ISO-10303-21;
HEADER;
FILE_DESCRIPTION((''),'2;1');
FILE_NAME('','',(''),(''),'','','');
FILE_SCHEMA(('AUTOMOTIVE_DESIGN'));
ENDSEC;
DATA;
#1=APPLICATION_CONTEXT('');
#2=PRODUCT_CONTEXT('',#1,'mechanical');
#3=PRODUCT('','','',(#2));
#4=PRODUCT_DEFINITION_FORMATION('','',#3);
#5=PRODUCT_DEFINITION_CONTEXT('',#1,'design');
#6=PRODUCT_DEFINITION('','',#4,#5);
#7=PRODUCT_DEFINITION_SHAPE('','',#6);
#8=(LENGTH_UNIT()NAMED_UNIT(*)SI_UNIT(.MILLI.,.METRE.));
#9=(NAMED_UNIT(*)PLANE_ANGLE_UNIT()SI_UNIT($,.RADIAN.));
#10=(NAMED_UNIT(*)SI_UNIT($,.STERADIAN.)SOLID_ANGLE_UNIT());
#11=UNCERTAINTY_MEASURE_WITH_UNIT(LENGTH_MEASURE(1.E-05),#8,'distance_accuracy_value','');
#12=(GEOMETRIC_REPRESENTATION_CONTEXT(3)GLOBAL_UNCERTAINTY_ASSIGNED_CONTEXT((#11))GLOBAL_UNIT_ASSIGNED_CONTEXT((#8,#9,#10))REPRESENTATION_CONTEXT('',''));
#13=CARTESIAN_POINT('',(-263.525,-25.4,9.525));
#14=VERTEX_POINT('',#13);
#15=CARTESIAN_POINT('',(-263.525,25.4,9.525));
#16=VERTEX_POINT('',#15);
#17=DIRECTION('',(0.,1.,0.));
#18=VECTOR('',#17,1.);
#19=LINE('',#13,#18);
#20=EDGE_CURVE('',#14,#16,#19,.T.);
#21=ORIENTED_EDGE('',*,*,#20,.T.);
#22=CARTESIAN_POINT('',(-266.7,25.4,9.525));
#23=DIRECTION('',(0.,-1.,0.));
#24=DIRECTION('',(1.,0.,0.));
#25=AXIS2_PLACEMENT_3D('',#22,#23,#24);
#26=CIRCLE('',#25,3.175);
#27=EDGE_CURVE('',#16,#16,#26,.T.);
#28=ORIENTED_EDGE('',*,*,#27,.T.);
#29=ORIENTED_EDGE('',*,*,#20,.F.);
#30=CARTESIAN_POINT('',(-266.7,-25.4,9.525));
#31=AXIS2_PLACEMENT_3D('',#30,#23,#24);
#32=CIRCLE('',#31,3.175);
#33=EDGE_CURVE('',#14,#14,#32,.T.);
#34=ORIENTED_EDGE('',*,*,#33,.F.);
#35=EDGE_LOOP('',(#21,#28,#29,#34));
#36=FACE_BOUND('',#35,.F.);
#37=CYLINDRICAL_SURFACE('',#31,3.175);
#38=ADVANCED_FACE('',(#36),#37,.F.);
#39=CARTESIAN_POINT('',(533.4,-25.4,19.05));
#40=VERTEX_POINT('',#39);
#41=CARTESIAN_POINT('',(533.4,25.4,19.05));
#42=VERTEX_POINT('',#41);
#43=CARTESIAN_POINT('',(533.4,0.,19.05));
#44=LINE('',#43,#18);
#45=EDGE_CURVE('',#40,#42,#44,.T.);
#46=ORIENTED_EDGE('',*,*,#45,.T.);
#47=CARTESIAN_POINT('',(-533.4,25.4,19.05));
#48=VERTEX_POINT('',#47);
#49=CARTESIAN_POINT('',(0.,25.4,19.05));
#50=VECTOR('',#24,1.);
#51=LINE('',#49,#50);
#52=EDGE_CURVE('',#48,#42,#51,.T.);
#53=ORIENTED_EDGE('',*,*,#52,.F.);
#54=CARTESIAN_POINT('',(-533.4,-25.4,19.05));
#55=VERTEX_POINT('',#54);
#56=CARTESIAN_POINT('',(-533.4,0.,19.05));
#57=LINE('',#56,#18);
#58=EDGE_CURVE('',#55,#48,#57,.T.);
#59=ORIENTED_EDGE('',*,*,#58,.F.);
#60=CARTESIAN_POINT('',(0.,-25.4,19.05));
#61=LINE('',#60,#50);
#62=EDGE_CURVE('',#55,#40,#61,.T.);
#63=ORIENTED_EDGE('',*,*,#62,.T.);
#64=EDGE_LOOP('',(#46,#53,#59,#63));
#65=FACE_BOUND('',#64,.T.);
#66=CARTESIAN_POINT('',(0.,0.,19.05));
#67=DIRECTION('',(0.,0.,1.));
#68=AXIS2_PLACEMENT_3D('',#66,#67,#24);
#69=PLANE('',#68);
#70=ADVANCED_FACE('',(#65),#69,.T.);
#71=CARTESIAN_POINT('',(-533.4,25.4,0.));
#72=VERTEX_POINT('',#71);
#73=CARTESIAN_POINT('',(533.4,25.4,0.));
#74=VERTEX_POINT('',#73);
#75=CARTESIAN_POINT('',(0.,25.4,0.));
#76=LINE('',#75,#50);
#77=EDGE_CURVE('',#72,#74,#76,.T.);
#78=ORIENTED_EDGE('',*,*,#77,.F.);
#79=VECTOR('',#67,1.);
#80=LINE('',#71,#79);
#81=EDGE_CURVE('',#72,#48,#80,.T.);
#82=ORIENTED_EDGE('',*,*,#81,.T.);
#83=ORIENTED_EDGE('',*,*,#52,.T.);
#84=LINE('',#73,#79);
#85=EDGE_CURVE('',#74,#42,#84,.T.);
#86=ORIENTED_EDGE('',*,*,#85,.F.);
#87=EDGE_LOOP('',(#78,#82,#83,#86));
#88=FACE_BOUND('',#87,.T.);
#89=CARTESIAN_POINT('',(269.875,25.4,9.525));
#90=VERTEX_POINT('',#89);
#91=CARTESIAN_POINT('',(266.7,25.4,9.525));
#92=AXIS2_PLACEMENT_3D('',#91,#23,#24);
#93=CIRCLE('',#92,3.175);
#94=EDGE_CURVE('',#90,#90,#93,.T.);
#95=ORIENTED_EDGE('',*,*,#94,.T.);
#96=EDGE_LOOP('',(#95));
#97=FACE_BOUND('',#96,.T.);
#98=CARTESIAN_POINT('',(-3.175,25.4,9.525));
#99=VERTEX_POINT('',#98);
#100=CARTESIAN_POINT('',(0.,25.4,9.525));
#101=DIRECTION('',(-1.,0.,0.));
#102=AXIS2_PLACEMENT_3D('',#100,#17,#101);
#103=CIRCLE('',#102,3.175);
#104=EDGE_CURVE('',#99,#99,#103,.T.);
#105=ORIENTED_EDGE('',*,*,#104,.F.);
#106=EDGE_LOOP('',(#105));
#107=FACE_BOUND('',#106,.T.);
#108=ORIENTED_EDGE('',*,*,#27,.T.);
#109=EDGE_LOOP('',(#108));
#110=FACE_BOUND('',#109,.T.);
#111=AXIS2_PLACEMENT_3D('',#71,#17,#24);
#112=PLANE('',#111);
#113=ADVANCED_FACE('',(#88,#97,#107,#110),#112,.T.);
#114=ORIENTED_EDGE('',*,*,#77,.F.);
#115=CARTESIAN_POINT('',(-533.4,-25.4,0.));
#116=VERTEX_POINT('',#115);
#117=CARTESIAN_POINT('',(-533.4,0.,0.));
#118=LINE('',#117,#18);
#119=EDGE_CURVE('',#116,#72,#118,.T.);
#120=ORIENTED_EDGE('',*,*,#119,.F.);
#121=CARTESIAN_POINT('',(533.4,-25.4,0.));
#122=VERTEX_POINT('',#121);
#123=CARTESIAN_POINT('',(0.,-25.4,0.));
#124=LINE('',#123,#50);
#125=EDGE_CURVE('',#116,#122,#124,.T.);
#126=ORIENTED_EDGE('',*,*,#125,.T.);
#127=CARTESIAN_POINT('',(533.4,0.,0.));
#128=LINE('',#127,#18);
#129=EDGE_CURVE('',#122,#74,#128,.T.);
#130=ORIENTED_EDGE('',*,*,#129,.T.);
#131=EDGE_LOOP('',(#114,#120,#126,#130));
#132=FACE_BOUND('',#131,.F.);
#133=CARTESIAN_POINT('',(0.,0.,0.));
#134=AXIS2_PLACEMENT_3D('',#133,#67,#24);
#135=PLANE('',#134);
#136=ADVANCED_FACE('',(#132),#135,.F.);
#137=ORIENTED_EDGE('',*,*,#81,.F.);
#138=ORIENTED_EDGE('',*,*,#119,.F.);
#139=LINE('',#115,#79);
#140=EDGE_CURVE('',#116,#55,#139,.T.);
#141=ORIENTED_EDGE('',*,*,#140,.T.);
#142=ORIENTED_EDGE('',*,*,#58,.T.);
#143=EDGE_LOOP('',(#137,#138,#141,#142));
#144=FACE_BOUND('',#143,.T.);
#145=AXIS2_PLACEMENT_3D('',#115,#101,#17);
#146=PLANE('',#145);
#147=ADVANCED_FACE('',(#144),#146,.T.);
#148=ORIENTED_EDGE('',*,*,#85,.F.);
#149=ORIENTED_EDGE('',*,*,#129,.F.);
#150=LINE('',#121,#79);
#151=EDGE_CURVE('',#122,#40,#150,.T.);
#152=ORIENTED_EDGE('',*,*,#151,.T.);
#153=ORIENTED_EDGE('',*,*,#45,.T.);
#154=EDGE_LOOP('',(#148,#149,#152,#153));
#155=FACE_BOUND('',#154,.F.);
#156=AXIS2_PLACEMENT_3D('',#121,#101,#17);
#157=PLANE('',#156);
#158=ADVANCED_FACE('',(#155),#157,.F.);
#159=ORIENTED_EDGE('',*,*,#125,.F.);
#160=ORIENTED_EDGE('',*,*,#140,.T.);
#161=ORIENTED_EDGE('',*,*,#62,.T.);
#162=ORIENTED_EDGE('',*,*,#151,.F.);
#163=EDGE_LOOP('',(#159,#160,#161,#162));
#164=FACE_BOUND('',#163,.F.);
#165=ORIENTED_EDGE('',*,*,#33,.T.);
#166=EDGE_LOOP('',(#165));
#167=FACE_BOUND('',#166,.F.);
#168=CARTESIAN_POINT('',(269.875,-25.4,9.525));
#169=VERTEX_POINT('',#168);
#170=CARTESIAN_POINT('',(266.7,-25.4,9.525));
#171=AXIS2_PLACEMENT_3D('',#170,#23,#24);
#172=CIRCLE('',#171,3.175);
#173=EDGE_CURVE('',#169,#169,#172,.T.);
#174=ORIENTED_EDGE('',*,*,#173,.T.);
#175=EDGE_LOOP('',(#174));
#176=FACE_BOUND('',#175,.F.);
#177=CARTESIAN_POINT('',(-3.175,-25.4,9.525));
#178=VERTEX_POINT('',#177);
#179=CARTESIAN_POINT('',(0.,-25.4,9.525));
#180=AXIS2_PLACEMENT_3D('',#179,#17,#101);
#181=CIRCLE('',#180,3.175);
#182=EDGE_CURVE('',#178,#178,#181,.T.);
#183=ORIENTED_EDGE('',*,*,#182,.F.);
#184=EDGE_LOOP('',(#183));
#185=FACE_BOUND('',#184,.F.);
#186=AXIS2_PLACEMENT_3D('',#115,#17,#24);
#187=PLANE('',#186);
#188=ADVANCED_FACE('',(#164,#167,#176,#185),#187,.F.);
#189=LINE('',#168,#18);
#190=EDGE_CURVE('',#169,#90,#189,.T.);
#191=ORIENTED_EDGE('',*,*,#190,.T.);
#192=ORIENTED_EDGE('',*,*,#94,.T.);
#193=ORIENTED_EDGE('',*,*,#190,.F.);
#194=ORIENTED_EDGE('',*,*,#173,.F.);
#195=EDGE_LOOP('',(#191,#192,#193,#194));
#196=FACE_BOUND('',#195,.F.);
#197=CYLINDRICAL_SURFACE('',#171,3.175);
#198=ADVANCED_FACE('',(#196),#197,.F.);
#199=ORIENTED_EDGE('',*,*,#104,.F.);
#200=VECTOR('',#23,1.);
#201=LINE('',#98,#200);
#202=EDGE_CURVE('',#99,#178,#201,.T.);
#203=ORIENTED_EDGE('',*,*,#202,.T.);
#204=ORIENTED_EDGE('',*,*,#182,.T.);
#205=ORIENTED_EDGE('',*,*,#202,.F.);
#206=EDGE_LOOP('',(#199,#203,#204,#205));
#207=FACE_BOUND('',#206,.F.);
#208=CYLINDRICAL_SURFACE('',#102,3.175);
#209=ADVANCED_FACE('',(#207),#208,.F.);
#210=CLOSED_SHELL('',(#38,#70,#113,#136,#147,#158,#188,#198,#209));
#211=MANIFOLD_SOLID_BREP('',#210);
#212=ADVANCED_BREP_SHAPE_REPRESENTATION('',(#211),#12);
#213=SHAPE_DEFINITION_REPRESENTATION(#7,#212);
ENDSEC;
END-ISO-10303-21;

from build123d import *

# Parameters (mm, degrees)
F0_W     = 1066.8
F0_H     = 50.8
F1_DEPTH = 19.05
F2_R     = 3.175
F3_DEPTH = 50.801
F4_R     = 3.175
F5_DEPTH = 50.801


with BuildPart() as f1:
    # F0 (on Top) → F1 (new body)
    with BuildSketch(Plane.XY):
        Rectangle(F0_W, F0_H)
    extrude(amount=F1_DEPTH)

    # F2 (on face) → F3 (cut, through all)
    with BuildSketch(Plane(origin=(0, 25.4, 0), x_dir=(-1, 0, 0), z_dir=(0, 1, 0))):
        with Locations((0, 9.525)):
            Circle(F2_R)
    extrude(amount=-F3_DEPTH, mode=Mode.SUBTRACT)

    # F4 (on face) → F5 (cut, through all)
    with BuildSketch(Plane.XZ.offset(25.4)):
        with Locations((-266.7, 9.525)):
            Circle(F4_R)
        with Locations((266.7, 9.525)):
            Circle(F4_R)
    extrude(amount=-F5_DEPTH, mode=Mode.SUBTRACT)


solid = f1.part
